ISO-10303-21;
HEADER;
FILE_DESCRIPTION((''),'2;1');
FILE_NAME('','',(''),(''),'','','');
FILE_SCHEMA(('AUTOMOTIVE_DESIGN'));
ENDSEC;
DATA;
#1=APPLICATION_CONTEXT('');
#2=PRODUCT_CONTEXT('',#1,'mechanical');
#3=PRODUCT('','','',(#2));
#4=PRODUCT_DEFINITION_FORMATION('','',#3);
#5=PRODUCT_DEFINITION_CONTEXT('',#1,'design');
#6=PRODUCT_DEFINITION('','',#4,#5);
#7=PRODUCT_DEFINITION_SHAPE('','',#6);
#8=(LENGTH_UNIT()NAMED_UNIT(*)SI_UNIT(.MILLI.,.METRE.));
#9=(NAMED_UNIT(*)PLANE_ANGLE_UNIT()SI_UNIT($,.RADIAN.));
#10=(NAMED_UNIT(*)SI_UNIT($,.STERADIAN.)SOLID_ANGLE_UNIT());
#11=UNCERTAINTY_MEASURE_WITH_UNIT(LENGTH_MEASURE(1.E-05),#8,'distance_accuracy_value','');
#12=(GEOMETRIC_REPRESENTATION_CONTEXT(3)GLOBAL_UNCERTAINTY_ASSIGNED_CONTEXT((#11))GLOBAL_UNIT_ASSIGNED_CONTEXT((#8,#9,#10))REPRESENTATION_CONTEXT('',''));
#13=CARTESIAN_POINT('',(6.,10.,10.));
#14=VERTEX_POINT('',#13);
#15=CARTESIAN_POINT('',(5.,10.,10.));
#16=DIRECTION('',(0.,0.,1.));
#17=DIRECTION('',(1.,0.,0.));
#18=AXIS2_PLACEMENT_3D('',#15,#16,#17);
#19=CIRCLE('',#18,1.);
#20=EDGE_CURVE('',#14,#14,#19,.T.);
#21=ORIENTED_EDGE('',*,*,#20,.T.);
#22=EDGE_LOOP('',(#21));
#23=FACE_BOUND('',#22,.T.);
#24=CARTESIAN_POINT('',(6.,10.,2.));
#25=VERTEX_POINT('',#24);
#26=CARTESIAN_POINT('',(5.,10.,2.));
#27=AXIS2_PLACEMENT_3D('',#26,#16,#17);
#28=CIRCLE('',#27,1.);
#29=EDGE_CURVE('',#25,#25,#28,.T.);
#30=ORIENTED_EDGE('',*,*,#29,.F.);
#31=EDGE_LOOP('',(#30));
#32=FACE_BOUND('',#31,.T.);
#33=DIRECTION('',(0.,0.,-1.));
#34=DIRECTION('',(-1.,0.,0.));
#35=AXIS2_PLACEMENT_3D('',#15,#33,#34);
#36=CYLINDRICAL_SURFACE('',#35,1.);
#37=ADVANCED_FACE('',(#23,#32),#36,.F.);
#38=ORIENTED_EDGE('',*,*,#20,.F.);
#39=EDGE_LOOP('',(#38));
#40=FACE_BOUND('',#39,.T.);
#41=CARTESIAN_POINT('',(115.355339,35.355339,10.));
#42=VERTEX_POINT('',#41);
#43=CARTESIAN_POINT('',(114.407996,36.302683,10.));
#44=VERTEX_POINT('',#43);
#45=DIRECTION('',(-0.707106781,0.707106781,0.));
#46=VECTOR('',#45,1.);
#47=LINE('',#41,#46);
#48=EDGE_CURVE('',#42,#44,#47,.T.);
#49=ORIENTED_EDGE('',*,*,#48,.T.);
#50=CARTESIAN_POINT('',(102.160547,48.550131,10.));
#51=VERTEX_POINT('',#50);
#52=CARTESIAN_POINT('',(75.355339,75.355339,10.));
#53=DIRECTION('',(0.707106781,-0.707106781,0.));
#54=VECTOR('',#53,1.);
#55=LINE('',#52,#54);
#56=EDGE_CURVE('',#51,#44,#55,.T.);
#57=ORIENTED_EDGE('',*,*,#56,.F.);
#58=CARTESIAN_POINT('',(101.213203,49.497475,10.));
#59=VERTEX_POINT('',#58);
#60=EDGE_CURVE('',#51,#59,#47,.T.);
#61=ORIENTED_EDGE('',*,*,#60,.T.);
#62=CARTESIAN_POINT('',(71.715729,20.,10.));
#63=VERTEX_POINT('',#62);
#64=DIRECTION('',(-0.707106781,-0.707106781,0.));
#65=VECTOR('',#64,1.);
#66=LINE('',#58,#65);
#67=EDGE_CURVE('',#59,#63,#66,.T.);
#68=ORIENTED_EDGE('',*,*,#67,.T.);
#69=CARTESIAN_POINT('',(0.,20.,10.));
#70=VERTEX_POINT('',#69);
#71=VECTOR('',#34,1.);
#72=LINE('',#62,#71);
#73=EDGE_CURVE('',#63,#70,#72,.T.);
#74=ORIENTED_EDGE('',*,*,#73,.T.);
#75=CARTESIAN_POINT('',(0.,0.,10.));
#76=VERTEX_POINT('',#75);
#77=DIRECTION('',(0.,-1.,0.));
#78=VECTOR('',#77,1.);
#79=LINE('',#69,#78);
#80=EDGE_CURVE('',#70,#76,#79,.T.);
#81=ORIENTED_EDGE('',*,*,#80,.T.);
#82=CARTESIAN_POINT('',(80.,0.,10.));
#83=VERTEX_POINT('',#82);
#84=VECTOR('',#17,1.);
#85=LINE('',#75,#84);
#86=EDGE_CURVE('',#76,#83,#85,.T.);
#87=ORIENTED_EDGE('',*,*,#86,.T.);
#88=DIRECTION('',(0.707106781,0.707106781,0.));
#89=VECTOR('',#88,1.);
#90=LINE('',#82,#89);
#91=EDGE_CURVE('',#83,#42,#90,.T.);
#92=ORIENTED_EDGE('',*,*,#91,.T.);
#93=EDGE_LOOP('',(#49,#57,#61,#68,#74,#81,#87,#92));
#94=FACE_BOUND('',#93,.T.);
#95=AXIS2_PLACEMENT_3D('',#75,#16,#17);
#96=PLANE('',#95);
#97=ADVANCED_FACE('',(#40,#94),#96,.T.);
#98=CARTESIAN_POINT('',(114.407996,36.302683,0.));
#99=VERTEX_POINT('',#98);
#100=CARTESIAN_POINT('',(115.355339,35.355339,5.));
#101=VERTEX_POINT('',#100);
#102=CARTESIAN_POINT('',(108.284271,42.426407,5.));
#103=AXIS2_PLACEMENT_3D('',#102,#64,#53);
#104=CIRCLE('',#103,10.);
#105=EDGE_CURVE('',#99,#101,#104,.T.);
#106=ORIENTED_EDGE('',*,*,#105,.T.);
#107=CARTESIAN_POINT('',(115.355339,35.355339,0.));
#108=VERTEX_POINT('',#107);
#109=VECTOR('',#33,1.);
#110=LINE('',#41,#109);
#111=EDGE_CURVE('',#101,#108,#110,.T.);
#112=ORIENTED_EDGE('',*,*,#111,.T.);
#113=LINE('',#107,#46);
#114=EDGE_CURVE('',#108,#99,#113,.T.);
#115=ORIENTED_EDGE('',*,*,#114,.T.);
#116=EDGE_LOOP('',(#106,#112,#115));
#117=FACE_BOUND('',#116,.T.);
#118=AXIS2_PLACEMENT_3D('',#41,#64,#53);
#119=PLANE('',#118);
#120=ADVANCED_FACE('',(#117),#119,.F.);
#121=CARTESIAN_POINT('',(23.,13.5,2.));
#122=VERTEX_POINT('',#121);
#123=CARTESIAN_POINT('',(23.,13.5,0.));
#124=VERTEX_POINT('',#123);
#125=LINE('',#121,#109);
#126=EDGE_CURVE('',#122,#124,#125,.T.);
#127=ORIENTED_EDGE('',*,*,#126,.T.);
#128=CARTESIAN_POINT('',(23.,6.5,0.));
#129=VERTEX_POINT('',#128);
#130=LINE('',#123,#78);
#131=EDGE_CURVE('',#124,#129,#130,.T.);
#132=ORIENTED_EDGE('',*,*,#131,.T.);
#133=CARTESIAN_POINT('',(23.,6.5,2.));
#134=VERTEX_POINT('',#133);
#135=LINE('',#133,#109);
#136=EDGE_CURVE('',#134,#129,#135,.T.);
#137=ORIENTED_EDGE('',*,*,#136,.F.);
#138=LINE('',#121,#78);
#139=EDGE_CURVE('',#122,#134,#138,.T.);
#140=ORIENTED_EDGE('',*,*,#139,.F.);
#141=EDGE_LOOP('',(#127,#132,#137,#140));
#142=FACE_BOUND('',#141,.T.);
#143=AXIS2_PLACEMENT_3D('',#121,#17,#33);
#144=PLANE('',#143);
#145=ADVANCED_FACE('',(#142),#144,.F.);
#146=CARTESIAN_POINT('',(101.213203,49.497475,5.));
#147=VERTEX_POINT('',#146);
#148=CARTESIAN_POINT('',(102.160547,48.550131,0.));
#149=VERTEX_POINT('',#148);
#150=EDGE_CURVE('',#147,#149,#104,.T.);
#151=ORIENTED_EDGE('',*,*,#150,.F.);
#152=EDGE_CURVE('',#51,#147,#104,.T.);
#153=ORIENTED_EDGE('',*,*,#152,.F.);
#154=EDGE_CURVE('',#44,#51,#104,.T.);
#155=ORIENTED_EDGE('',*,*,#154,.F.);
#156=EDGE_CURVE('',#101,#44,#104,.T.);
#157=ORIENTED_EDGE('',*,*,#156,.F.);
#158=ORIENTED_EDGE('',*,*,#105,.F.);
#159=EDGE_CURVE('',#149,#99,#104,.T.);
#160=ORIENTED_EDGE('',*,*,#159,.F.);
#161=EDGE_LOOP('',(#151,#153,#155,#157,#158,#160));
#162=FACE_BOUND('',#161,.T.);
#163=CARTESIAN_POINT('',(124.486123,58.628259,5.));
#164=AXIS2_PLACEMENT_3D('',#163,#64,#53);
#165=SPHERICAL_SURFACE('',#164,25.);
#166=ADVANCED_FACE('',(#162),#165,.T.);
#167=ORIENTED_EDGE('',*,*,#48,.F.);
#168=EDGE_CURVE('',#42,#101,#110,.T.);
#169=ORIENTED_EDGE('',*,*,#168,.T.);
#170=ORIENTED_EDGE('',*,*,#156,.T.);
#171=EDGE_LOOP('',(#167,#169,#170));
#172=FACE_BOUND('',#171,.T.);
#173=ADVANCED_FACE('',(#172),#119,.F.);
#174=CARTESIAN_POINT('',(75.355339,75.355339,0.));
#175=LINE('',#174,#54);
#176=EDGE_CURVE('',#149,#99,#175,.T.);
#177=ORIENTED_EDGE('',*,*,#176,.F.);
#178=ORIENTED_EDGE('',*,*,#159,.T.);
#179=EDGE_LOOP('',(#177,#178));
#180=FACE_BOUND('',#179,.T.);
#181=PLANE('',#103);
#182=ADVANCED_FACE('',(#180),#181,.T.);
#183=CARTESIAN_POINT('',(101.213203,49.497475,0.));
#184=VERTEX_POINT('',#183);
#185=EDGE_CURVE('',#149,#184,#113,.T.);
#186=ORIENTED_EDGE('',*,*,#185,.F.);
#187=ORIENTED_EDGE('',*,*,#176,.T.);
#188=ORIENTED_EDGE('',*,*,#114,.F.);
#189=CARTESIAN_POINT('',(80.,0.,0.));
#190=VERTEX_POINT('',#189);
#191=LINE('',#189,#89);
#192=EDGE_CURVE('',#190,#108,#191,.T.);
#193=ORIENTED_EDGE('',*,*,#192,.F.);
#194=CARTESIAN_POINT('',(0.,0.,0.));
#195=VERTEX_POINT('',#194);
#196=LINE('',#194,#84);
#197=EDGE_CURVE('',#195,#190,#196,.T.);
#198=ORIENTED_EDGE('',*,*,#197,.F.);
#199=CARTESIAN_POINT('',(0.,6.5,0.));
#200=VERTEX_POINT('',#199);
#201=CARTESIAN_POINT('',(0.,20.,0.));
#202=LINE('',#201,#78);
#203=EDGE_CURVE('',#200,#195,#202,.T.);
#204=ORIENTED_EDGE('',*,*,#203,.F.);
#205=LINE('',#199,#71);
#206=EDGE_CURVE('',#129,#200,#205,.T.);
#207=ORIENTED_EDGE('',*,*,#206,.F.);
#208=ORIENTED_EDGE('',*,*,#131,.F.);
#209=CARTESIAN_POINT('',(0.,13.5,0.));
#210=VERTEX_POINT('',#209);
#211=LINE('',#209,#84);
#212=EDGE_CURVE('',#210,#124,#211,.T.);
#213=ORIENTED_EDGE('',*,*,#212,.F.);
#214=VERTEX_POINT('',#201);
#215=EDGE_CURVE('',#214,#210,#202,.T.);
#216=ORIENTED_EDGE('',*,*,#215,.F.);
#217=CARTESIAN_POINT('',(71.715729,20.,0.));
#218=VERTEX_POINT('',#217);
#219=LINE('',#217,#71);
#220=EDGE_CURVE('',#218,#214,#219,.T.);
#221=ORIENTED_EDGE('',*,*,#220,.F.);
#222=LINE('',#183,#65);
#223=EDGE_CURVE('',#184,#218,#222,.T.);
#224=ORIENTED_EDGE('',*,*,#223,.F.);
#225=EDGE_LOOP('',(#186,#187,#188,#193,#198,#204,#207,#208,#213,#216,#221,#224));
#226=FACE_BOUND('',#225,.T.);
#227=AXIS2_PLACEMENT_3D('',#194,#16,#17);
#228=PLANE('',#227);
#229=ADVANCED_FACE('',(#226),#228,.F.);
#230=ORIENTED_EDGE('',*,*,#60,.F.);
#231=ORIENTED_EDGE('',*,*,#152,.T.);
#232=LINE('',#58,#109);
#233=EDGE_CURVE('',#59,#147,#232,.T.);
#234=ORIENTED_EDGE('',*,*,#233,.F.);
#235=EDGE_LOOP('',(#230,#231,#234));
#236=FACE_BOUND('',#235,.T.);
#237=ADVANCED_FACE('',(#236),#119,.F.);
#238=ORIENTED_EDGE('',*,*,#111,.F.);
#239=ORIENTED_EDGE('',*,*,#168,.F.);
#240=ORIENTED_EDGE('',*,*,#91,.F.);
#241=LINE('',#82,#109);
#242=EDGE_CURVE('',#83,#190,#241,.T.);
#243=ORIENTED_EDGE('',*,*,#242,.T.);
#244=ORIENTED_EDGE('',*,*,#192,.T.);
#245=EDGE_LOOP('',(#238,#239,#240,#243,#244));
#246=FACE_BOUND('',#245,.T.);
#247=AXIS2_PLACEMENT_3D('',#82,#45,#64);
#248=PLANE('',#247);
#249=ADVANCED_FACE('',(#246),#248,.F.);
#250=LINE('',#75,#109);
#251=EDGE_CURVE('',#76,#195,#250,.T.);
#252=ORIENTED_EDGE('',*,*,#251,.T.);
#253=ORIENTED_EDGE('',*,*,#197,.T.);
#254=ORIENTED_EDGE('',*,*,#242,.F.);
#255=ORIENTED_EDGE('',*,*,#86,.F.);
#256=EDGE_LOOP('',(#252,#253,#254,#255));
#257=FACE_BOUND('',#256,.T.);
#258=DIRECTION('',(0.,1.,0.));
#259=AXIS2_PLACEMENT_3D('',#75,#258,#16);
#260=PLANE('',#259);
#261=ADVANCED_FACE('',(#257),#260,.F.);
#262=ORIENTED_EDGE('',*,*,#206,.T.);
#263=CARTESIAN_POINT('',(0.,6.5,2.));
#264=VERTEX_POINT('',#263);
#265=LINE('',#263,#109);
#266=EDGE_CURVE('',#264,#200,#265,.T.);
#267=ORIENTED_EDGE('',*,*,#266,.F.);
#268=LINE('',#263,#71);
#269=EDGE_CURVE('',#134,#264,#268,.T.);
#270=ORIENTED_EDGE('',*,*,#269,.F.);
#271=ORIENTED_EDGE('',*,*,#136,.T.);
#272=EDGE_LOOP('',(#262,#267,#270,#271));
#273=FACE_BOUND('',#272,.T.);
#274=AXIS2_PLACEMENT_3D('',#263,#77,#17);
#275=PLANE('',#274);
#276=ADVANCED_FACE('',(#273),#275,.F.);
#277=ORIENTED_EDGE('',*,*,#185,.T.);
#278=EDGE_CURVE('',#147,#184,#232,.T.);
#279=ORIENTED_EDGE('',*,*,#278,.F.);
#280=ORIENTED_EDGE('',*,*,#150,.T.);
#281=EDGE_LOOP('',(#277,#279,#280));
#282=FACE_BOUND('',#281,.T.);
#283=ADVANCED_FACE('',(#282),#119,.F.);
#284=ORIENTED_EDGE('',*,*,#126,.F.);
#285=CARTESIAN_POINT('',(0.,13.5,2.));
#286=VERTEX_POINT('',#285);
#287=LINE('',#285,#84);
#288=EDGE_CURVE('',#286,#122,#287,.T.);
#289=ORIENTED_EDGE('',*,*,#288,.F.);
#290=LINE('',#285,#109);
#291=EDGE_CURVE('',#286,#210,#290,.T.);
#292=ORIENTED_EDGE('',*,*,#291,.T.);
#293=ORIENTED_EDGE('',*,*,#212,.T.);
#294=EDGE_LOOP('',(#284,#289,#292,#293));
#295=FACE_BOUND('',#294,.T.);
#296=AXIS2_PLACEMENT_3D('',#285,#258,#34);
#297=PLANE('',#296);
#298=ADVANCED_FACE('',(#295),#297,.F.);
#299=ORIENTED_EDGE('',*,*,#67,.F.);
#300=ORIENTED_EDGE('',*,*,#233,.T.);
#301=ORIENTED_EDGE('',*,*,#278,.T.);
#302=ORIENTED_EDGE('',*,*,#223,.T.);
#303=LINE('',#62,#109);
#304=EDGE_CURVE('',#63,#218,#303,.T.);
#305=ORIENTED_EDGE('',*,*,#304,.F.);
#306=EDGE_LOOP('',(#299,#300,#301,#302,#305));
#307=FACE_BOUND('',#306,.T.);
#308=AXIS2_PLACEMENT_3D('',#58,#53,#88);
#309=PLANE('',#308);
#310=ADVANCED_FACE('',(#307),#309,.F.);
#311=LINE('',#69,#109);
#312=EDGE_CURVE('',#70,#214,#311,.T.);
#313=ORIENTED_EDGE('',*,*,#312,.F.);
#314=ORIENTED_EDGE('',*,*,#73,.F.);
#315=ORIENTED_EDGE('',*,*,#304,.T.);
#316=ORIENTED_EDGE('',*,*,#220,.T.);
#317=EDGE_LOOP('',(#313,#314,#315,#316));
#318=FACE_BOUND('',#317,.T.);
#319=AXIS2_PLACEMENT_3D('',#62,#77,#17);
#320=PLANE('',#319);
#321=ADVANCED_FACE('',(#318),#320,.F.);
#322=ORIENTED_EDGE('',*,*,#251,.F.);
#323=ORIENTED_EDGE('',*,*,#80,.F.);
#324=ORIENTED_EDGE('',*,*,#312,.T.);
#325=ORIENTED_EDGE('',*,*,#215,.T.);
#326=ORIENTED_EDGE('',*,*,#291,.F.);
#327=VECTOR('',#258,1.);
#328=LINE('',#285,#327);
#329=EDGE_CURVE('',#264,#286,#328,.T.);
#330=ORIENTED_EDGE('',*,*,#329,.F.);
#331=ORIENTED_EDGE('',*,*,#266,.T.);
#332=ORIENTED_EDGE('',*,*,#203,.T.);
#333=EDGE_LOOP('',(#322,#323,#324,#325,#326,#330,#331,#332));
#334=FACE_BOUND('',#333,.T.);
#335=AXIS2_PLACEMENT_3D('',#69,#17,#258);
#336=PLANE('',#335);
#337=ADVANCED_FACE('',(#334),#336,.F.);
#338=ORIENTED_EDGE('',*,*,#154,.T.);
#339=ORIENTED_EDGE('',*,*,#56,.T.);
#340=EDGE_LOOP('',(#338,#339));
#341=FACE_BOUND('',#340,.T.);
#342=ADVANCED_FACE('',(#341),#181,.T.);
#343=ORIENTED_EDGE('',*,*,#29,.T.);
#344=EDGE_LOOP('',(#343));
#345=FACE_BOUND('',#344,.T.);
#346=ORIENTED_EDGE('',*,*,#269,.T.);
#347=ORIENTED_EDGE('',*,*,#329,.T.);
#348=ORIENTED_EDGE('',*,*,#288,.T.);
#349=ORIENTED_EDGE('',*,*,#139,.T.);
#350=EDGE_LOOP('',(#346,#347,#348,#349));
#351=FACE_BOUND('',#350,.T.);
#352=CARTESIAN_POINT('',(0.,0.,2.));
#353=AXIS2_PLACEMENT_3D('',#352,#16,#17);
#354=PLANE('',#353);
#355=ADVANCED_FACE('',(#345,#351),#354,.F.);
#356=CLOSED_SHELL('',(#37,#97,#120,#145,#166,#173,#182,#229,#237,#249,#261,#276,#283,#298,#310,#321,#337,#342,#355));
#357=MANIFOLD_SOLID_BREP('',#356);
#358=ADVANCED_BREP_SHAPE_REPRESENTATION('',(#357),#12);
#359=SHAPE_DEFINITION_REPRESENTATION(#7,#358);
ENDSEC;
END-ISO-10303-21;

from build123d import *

# Parameters (mm, degrees)
SKETCH1_R           = 1
BOSS_EXTRUDE1_DEPTH = 10
SKETCH4_W           = 23
SKETCH4_H           = 7
CUT_EXTRUDE2_DEPTH  = 2


with BuildPart() as part:
    # Sketch1 → Boss-Extrude1 (new body)
    with BuildSketch(Plane.XY):
        Polygon((0, 0), (80, 0), (115.355339059, 35.355339059), (101.213203436, 49.497474683), (71.715728753, 20), (0, 20), align=None)
        with Locations((5, 10)):
            Circle(SKETCH1_R, mode=Mode.SUBTRACT)
    extrude(amount=BOSS_EXTRUDE1_DEPTH)

    # Sketch2 → Revolve2 (revolve)
    with BuildSketch(Plane.XY.offset(5)):
        with BuildLine():
            Line((108.284271247, 42.426406871), (142.163792523, 76.305928147))
            ThreePointArc((142.163792523, 76.305928147), (145.402623657, 44.93519468), (115.355339059, 35.355339059))
            Line((115.355339059, 35.355339059), (108.284271247, 42.426406871))
        make_face()
    revolve(axis=Axis((108.284271247, 42.426406871, 5), (0.7071067811865456, 0.7071067811865495, 0)))

    # Sketch4 → Cut-Extrude2 (cut)
    with BuildSketch(Plane(origin=(0, 0, 0), x_dir=(-1, 0, 0), z_dir=(0, 0, -1))):
        with Locations((-11.5, 10)):
            Rectangle(SKETCH4_W, SKETCH4_H)
    extrude(amount=-CUT_EXTRUDE2_DEPTH, mode=Mode.SUBTRACT)


solid = part.part
